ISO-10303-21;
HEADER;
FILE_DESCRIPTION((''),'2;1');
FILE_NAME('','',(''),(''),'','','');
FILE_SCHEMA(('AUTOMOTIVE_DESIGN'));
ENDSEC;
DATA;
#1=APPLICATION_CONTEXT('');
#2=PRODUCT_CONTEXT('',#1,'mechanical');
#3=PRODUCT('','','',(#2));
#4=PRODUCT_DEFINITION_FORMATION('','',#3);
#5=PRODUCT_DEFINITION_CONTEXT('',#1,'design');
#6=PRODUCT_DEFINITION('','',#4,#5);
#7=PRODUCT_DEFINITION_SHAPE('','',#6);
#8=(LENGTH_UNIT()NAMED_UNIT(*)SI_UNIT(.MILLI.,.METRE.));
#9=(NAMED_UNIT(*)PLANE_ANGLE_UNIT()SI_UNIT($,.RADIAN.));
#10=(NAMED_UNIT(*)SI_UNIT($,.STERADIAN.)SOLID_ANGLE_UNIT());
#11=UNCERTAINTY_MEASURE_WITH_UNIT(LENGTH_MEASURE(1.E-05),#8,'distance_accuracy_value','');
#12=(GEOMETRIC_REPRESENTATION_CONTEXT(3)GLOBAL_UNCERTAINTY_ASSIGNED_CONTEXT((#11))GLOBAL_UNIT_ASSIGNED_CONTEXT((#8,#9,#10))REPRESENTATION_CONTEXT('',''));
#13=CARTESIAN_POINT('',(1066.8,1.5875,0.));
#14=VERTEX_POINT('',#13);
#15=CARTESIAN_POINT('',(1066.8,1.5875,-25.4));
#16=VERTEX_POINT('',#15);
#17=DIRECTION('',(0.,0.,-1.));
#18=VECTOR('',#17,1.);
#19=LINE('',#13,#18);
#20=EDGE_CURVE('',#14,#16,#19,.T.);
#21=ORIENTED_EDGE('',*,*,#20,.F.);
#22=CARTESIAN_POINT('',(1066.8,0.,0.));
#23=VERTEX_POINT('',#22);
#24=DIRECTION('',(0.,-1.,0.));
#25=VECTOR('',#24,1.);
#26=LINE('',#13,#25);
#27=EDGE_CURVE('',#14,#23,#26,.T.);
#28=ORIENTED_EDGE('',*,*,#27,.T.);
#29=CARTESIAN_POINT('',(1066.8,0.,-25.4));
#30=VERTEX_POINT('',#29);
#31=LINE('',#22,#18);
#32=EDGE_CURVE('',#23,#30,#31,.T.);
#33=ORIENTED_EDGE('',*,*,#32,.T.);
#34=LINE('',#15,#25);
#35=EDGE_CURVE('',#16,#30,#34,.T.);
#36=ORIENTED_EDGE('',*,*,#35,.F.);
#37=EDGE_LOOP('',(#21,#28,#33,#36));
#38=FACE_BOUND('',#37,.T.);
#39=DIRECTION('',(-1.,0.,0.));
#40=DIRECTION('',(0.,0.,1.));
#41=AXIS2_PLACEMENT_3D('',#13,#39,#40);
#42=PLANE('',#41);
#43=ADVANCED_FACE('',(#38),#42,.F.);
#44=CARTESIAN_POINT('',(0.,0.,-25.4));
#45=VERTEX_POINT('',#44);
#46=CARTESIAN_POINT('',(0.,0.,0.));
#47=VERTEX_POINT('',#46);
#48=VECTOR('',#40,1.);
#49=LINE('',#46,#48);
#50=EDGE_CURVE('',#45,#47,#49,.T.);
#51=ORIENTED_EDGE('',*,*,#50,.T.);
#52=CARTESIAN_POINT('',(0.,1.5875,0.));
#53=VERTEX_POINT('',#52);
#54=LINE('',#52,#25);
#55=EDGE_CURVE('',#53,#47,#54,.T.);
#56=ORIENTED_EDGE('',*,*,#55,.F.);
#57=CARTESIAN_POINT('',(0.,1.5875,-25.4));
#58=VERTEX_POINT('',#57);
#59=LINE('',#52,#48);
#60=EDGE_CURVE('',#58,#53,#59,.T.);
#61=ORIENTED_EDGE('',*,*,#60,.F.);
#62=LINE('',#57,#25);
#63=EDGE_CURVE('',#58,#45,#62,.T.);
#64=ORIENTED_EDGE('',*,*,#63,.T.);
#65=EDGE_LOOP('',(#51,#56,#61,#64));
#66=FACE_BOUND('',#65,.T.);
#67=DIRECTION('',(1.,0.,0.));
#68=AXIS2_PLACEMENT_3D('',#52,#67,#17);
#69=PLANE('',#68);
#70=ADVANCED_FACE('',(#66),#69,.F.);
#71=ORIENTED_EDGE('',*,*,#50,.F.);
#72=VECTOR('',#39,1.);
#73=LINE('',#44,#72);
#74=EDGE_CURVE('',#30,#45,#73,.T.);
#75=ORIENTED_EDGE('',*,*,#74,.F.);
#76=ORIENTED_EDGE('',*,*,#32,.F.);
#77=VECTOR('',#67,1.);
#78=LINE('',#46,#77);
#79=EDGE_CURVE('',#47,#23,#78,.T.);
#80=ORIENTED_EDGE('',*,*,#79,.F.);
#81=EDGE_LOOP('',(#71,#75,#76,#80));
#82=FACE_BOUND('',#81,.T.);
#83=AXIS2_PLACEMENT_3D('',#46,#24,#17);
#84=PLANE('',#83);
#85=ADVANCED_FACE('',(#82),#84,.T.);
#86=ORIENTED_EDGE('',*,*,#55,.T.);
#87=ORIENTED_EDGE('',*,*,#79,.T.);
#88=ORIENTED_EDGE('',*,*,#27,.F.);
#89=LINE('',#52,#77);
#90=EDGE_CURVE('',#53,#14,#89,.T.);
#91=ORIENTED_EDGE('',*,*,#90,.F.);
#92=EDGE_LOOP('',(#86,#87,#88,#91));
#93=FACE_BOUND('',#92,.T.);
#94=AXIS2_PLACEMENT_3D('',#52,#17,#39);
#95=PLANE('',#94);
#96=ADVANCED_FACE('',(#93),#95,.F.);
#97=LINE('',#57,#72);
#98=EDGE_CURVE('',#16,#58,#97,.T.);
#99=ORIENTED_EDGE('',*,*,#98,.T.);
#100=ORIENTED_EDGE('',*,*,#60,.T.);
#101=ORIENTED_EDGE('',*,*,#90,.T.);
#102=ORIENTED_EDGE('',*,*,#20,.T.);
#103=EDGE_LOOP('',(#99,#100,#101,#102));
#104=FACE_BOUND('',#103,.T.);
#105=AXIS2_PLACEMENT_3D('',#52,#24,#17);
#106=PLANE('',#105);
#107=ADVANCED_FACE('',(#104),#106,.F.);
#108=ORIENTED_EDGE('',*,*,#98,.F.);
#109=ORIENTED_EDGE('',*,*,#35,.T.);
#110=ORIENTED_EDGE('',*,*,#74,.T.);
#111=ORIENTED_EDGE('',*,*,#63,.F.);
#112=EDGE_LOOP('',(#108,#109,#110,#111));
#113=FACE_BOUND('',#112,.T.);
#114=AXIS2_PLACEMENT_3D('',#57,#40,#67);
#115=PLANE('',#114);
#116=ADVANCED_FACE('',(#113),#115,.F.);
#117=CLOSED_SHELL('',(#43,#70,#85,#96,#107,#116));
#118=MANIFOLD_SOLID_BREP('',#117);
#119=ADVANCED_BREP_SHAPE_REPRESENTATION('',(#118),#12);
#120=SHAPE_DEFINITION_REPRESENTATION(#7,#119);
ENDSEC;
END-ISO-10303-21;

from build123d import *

# Parameters (mm, degrees)
SKETCH1_W           = 1066.8
SKETCH1_H           = 25.4
BOSS_EXTRUDE1_DEPTH = 1.5875


with BuildPart() as part:
    # Sketch1 → Boss-Extrude1 (new body)
    with BuildSketch(Plane(origin=(0, 0, 0), x_dir=(1, 0, 0), z_dir=(0, 1, 0))):
        with Locations((533.4, 12.7)):
            Rectangle(SKETCH1_W, SKETCH1_H)
    extrude(amount=BOSS_EXTRUDE1_DEPTH)


solid = part.part
